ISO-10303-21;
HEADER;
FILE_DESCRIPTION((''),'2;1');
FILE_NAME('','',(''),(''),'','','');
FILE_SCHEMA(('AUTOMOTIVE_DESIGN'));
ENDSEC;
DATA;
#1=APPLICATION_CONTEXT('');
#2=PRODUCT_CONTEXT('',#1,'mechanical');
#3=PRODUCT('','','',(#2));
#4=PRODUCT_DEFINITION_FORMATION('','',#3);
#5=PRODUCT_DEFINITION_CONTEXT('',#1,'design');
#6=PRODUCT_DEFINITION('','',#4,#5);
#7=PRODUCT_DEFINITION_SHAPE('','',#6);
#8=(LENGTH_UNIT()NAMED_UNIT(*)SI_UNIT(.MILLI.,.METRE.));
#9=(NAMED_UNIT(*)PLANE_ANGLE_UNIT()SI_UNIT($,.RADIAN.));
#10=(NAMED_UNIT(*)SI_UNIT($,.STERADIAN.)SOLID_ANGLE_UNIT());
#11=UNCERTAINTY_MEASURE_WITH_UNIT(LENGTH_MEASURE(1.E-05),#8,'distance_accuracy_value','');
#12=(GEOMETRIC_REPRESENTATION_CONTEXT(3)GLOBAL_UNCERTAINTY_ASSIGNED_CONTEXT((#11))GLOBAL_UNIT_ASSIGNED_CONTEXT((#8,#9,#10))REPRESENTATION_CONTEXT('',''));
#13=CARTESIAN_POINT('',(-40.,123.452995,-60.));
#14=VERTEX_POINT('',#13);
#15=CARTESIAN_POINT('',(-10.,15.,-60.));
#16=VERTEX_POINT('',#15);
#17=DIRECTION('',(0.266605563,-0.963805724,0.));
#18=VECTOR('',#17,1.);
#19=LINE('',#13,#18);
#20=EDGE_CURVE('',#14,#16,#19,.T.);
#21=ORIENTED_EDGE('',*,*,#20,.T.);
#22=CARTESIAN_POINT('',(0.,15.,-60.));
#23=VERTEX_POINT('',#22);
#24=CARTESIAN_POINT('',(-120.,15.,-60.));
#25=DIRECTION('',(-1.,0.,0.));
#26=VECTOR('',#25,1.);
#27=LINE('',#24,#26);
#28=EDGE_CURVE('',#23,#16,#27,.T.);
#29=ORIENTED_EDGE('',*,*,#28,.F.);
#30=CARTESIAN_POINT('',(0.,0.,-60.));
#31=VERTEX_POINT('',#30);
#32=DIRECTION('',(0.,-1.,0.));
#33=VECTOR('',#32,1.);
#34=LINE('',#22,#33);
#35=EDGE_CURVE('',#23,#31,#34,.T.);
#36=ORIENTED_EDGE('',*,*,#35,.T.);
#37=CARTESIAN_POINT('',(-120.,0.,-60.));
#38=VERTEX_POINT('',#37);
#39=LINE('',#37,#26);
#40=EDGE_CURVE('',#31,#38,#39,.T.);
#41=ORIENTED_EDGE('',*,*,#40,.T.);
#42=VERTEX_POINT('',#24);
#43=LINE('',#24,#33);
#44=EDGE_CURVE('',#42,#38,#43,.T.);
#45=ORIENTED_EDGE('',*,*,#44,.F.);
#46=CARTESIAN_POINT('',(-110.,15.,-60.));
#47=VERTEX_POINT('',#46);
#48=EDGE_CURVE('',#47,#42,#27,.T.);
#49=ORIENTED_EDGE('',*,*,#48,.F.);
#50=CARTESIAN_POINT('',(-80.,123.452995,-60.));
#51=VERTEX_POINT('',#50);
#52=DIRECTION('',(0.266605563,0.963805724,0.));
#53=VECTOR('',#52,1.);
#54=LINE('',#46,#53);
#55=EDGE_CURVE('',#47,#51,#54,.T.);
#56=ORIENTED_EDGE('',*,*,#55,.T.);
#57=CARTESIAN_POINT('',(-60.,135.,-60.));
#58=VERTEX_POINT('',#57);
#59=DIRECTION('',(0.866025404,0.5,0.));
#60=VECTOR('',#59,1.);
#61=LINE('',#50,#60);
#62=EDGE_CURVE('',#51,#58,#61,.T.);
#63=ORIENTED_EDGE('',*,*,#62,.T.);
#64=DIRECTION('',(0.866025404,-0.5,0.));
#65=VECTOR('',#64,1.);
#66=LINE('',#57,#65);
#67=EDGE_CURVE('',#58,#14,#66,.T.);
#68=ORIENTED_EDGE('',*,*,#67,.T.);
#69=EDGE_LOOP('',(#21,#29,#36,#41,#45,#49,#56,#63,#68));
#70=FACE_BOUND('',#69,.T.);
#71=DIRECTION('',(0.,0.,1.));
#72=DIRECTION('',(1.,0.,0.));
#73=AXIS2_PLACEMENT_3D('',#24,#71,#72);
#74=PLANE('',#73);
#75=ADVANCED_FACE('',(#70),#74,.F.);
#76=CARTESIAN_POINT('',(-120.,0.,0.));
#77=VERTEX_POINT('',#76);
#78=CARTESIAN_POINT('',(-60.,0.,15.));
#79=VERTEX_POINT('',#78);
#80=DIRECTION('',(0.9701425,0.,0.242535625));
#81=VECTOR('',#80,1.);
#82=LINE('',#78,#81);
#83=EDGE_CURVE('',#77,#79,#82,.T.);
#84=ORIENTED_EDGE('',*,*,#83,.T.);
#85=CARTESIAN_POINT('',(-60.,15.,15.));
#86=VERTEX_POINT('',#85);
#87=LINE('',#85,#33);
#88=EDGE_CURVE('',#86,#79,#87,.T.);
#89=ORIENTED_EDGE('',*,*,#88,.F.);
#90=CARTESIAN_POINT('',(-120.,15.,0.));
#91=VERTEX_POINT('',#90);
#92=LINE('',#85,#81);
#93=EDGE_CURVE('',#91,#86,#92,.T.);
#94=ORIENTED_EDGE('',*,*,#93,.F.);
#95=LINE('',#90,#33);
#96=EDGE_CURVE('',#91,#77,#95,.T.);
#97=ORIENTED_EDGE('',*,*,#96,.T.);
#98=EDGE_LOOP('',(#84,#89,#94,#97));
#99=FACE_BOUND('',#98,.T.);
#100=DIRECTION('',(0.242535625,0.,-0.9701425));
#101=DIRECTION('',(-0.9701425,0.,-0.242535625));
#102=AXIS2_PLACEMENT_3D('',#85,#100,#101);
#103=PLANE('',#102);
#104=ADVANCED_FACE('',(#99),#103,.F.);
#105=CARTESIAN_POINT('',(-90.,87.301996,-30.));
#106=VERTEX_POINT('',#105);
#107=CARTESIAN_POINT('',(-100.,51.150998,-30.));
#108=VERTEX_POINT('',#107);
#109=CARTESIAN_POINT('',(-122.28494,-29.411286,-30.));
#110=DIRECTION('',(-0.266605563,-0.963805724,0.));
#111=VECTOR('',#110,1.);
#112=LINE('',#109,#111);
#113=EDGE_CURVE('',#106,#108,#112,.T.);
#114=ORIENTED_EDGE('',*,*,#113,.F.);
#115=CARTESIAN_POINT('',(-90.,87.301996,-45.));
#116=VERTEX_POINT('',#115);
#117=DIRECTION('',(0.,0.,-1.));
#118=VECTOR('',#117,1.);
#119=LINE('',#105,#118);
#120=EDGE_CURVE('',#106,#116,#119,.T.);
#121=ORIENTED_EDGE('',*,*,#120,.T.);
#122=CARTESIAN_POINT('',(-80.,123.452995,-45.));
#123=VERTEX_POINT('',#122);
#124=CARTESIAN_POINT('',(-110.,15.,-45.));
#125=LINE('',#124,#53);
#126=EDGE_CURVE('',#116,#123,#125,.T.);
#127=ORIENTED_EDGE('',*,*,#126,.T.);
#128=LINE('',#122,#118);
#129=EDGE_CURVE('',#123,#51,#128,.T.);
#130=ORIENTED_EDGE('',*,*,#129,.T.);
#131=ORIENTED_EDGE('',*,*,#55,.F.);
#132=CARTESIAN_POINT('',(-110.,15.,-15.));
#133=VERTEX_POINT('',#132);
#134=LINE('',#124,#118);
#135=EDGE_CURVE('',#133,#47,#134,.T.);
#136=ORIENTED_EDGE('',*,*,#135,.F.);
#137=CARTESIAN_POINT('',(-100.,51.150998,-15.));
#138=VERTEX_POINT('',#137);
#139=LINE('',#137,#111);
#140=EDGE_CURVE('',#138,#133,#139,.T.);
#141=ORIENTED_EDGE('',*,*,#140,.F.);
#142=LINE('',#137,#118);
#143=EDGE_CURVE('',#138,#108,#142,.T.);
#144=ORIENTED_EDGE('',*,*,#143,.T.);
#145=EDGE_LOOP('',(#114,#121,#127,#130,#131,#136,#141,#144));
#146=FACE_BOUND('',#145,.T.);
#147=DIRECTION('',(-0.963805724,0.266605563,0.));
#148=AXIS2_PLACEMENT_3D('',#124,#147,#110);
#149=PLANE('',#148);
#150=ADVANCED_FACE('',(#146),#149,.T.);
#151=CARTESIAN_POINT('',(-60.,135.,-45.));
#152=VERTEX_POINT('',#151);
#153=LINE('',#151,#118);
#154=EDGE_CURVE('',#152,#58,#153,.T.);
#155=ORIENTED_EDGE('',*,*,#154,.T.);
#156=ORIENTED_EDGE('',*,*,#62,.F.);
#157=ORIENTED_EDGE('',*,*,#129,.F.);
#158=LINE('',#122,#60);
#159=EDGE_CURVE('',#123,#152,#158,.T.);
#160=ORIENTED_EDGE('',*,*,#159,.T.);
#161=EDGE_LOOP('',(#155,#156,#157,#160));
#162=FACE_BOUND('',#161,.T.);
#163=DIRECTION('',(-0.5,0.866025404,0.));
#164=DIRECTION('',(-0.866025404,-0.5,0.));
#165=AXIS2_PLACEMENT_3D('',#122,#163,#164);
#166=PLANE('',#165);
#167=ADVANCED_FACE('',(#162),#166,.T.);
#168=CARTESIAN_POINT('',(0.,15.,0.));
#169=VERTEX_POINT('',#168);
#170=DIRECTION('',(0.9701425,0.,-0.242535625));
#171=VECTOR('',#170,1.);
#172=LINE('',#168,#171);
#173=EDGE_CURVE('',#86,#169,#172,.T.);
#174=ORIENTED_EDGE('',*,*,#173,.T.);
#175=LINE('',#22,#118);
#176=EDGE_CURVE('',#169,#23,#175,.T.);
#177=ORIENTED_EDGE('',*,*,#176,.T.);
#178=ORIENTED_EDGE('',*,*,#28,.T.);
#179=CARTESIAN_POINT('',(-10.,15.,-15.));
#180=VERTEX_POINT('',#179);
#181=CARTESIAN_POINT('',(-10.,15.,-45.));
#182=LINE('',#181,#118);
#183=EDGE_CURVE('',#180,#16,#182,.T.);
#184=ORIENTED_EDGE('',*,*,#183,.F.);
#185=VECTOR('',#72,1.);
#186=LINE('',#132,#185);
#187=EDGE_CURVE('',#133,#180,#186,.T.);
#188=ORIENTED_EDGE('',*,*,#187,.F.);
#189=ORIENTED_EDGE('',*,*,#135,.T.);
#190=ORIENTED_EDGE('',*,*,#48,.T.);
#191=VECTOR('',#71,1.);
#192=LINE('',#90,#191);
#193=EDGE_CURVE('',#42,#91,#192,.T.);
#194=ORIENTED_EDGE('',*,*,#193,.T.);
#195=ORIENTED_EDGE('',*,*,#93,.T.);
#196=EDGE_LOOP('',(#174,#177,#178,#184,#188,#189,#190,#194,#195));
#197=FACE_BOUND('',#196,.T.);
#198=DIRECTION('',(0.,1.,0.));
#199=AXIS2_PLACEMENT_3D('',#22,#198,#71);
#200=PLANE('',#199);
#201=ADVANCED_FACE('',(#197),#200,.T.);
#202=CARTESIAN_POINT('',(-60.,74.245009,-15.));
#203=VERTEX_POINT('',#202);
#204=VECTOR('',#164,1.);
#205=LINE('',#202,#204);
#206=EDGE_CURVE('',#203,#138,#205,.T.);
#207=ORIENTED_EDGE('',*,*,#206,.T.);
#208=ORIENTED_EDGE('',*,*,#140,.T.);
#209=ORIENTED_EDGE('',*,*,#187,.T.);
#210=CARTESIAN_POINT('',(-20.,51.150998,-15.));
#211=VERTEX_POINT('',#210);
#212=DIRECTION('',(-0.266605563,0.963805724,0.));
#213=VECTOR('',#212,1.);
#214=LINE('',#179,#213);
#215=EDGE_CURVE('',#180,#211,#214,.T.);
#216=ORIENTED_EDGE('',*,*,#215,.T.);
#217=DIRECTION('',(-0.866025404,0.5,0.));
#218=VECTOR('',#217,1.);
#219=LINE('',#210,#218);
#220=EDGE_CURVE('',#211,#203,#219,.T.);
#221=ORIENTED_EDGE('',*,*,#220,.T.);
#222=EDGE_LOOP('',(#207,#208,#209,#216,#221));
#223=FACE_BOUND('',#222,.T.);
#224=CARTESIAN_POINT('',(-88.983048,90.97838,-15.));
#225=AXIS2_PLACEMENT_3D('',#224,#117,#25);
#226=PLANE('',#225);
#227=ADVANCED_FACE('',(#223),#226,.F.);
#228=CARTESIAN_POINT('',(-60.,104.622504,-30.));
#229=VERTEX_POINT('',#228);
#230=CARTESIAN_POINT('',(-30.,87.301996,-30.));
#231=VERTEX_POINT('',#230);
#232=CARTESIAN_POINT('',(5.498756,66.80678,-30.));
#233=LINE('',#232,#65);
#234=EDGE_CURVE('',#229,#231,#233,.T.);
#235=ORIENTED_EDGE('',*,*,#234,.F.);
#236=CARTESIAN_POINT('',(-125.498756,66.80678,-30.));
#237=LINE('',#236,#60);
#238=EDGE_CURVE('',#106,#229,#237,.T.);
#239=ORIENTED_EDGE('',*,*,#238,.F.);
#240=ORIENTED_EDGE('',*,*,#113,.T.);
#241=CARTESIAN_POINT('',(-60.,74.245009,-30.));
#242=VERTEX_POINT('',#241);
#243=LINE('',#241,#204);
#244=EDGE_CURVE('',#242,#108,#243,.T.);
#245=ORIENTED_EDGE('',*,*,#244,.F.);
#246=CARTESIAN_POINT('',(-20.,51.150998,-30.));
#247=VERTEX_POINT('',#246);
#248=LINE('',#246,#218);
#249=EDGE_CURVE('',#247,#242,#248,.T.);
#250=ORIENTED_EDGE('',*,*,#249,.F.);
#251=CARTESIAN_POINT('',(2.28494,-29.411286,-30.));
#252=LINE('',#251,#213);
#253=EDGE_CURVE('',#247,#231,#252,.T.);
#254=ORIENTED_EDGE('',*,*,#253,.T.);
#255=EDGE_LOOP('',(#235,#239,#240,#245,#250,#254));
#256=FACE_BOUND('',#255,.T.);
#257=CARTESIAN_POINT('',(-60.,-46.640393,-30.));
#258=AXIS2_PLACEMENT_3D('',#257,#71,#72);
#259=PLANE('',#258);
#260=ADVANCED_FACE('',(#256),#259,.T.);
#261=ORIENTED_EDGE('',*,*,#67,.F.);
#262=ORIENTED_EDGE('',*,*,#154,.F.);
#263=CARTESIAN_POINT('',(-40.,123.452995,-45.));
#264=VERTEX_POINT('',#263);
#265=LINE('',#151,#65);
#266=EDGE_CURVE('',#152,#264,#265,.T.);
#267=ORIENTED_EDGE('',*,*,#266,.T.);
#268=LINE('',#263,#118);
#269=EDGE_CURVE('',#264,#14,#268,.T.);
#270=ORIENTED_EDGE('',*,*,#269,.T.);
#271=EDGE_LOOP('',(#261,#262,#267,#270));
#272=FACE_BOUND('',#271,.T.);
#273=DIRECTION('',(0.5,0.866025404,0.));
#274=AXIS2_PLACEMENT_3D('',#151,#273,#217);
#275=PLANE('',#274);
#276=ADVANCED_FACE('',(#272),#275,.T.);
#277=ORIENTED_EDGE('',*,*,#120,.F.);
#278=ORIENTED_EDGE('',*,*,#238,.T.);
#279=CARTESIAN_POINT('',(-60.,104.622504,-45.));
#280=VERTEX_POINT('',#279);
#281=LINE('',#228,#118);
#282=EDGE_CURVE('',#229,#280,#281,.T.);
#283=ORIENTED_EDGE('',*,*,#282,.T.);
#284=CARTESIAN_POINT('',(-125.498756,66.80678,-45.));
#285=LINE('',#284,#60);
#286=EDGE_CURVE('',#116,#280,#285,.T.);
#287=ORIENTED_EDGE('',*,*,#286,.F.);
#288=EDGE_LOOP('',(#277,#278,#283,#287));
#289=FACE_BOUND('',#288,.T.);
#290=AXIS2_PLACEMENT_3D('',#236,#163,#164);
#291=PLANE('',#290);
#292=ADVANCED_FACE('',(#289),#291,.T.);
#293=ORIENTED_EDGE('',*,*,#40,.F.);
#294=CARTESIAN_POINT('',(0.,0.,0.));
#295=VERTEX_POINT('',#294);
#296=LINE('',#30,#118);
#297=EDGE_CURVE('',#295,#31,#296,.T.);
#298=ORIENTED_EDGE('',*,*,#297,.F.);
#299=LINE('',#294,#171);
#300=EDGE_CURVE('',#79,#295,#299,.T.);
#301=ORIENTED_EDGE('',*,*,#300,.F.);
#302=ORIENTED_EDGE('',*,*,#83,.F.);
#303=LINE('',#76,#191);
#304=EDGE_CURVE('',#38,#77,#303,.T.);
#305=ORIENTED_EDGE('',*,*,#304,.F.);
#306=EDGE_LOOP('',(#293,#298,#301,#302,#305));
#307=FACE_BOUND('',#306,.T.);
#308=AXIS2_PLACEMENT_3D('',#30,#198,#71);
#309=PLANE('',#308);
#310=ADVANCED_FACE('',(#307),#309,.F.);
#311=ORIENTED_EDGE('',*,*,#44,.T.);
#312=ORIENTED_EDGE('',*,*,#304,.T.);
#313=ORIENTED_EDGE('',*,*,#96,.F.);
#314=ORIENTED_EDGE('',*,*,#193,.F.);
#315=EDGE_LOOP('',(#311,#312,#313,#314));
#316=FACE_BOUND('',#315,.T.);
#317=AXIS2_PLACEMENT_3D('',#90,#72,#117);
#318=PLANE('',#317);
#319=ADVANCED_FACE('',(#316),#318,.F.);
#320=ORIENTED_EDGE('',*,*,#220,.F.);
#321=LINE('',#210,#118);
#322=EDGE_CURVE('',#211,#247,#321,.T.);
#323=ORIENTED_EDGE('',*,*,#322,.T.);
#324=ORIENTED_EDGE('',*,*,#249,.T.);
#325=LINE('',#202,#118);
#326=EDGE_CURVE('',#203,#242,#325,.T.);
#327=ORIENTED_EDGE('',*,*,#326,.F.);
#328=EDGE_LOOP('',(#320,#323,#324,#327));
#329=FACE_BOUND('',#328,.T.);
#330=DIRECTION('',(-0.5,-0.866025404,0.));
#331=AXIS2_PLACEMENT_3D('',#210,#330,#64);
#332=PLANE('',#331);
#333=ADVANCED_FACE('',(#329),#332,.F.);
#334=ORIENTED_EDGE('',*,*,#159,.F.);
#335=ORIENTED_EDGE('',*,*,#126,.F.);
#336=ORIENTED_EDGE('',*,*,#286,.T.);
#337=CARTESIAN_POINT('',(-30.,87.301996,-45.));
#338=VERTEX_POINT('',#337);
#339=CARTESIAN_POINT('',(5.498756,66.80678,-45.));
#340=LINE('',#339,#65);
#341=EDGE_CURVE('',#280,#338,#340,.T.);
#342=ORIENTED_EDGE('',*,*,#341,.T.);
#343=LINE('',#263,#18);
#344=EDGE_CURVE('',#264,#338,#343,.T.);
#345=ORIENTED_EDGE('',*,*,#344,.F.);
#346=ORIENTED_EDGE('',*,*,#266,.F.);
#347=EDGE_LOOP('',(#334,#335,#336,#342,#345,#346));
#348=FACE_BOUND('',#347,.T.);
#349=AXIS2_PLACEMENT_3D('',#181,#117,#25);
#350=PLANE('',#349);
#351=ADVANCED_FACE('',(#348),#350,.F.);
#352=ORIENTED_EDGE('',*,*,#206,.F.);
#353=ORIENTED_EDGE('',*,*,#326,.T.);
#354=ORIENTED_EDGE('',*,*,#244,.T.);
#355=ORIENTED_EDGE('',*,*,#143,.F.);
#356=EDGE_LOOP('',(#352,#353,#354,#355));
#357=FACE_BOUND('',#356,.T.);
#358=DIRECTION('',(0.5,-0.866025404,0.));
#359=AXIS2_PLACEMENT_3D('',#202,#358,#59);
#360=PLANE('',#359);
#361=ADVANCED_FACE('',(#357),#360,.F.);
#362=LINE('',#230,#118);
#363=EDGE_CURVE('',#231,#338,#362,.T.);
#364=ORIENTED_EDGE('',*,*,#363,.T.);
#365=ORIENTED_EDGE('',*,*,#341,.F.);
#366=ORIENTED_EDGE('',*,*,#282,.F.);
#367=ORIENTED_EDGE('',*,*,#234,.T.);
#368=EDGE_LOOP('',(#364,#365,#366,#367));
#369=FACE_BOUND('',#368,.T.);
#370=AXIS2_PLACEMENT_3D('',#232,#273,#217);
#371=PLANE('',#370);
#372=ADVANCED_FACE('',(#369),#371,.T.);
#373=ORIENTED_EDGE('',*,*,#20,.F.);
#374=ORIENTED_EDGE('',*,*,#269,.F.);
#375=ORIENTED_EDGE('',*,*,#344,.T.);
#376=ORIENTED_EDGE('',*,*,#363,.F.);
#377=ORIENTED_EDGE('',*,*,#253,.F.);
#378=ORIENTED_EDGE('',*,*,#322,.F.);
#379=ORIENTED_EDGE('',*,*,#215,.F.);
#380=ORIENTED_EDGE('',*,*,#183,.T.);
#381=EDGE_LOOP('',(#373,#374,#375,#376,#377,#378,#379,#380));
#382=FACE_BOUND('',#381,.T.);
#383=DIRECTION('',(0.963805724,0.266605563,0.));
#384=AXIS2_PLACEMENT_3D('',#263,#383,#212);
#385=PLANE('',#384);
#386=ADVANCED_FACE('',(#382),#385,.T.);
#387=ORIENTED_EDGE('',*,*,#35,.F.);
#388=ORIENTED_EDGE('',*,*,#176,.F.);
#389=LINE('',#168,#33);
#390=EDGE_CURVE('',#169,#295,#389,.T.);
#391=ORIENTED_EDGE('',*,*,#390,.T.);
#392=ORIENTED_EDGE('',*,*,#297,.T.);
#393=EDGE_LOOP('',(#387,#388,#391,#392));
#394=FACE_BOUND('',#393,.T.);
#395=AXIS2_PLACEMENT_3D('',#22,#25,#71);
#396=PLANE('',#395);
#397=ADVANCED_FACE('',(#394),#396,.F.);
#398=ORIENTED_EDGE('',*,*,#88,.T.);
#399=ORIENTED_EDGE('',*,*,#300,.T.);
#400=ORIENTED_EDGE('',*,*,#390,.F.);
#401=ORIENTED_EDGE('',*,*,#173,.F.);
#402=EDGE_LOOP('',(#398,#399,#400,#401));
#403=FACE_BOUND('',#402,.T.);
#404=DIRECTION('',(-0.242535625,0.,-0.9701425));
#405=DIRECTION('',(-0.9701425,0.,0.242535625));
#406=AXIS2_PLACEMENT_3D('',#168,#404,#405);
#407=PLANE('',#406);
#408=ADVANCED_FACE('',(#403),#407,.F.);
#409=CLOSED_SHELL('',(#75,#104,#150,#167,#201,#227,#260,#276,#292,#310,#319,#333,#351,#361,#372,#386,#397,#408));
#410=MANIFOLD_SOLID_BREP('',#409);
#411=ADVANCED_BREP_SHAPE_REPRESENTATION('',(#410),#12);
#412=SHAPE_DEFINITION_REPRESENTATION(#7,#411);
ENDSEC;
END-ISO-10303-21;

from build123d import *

# Parameters (mm, degrees)
EXTRUDE1_DEPTH = 15
EXTRUDE2_DEPTH = 15
EXTRUDE3_DEPTH = 15
EXTRUDE4_DEPTH = 15


with BuildPart() as part:
    # Sketch1 → Extrude1 (new body)
    with BuildSketch(Plane(origin=(0, 0, 0), x_dir=(1, 0, 0), z_dir=(0, 1, 0))):
        Polygon((0, 0), (-60, -15), (-120, 0), (-120, 60), (0, 60), align=None)
    extrude(amount=EXTRUDE1_DEPTH)

    # Sketch2 → Extrude2 (add)
    with BuildSketch(Plane(origin=(0, 0, -60), x_dir=(-1, 0, 0), z_dir=(0, 0, -1))):
        Polygon((110, 15), (80, 123.452994616), (60, 135), (40, 123.452994616), (10, 15), align=None)
    extrude(amount=-EXTRUDE2_DEPTH)

    # Sketch3 → Extrude3 (add)
    with BuildSketch(Plane.XY.offset(-45)):
        Polygon((-10, 15), (-30, 87.301996411), (-60, 104.622504486), (-90, 87.301996411), (-110, 15), align=None)
    extrude(amount=EXTRUDE3_DEPTH)

    # Sketch4 → Extrude4 (add)
    with BuildSketch(Plane.XY.offset(-30)):
        Polygon((-110, 15), (-10, 15), (-20, 51.150998205), (-60, 74.245008973), (-100, 51.150998205), align=None)
    extrude(amount=EXTRUDE4_DEPTH)


solid = part.part
